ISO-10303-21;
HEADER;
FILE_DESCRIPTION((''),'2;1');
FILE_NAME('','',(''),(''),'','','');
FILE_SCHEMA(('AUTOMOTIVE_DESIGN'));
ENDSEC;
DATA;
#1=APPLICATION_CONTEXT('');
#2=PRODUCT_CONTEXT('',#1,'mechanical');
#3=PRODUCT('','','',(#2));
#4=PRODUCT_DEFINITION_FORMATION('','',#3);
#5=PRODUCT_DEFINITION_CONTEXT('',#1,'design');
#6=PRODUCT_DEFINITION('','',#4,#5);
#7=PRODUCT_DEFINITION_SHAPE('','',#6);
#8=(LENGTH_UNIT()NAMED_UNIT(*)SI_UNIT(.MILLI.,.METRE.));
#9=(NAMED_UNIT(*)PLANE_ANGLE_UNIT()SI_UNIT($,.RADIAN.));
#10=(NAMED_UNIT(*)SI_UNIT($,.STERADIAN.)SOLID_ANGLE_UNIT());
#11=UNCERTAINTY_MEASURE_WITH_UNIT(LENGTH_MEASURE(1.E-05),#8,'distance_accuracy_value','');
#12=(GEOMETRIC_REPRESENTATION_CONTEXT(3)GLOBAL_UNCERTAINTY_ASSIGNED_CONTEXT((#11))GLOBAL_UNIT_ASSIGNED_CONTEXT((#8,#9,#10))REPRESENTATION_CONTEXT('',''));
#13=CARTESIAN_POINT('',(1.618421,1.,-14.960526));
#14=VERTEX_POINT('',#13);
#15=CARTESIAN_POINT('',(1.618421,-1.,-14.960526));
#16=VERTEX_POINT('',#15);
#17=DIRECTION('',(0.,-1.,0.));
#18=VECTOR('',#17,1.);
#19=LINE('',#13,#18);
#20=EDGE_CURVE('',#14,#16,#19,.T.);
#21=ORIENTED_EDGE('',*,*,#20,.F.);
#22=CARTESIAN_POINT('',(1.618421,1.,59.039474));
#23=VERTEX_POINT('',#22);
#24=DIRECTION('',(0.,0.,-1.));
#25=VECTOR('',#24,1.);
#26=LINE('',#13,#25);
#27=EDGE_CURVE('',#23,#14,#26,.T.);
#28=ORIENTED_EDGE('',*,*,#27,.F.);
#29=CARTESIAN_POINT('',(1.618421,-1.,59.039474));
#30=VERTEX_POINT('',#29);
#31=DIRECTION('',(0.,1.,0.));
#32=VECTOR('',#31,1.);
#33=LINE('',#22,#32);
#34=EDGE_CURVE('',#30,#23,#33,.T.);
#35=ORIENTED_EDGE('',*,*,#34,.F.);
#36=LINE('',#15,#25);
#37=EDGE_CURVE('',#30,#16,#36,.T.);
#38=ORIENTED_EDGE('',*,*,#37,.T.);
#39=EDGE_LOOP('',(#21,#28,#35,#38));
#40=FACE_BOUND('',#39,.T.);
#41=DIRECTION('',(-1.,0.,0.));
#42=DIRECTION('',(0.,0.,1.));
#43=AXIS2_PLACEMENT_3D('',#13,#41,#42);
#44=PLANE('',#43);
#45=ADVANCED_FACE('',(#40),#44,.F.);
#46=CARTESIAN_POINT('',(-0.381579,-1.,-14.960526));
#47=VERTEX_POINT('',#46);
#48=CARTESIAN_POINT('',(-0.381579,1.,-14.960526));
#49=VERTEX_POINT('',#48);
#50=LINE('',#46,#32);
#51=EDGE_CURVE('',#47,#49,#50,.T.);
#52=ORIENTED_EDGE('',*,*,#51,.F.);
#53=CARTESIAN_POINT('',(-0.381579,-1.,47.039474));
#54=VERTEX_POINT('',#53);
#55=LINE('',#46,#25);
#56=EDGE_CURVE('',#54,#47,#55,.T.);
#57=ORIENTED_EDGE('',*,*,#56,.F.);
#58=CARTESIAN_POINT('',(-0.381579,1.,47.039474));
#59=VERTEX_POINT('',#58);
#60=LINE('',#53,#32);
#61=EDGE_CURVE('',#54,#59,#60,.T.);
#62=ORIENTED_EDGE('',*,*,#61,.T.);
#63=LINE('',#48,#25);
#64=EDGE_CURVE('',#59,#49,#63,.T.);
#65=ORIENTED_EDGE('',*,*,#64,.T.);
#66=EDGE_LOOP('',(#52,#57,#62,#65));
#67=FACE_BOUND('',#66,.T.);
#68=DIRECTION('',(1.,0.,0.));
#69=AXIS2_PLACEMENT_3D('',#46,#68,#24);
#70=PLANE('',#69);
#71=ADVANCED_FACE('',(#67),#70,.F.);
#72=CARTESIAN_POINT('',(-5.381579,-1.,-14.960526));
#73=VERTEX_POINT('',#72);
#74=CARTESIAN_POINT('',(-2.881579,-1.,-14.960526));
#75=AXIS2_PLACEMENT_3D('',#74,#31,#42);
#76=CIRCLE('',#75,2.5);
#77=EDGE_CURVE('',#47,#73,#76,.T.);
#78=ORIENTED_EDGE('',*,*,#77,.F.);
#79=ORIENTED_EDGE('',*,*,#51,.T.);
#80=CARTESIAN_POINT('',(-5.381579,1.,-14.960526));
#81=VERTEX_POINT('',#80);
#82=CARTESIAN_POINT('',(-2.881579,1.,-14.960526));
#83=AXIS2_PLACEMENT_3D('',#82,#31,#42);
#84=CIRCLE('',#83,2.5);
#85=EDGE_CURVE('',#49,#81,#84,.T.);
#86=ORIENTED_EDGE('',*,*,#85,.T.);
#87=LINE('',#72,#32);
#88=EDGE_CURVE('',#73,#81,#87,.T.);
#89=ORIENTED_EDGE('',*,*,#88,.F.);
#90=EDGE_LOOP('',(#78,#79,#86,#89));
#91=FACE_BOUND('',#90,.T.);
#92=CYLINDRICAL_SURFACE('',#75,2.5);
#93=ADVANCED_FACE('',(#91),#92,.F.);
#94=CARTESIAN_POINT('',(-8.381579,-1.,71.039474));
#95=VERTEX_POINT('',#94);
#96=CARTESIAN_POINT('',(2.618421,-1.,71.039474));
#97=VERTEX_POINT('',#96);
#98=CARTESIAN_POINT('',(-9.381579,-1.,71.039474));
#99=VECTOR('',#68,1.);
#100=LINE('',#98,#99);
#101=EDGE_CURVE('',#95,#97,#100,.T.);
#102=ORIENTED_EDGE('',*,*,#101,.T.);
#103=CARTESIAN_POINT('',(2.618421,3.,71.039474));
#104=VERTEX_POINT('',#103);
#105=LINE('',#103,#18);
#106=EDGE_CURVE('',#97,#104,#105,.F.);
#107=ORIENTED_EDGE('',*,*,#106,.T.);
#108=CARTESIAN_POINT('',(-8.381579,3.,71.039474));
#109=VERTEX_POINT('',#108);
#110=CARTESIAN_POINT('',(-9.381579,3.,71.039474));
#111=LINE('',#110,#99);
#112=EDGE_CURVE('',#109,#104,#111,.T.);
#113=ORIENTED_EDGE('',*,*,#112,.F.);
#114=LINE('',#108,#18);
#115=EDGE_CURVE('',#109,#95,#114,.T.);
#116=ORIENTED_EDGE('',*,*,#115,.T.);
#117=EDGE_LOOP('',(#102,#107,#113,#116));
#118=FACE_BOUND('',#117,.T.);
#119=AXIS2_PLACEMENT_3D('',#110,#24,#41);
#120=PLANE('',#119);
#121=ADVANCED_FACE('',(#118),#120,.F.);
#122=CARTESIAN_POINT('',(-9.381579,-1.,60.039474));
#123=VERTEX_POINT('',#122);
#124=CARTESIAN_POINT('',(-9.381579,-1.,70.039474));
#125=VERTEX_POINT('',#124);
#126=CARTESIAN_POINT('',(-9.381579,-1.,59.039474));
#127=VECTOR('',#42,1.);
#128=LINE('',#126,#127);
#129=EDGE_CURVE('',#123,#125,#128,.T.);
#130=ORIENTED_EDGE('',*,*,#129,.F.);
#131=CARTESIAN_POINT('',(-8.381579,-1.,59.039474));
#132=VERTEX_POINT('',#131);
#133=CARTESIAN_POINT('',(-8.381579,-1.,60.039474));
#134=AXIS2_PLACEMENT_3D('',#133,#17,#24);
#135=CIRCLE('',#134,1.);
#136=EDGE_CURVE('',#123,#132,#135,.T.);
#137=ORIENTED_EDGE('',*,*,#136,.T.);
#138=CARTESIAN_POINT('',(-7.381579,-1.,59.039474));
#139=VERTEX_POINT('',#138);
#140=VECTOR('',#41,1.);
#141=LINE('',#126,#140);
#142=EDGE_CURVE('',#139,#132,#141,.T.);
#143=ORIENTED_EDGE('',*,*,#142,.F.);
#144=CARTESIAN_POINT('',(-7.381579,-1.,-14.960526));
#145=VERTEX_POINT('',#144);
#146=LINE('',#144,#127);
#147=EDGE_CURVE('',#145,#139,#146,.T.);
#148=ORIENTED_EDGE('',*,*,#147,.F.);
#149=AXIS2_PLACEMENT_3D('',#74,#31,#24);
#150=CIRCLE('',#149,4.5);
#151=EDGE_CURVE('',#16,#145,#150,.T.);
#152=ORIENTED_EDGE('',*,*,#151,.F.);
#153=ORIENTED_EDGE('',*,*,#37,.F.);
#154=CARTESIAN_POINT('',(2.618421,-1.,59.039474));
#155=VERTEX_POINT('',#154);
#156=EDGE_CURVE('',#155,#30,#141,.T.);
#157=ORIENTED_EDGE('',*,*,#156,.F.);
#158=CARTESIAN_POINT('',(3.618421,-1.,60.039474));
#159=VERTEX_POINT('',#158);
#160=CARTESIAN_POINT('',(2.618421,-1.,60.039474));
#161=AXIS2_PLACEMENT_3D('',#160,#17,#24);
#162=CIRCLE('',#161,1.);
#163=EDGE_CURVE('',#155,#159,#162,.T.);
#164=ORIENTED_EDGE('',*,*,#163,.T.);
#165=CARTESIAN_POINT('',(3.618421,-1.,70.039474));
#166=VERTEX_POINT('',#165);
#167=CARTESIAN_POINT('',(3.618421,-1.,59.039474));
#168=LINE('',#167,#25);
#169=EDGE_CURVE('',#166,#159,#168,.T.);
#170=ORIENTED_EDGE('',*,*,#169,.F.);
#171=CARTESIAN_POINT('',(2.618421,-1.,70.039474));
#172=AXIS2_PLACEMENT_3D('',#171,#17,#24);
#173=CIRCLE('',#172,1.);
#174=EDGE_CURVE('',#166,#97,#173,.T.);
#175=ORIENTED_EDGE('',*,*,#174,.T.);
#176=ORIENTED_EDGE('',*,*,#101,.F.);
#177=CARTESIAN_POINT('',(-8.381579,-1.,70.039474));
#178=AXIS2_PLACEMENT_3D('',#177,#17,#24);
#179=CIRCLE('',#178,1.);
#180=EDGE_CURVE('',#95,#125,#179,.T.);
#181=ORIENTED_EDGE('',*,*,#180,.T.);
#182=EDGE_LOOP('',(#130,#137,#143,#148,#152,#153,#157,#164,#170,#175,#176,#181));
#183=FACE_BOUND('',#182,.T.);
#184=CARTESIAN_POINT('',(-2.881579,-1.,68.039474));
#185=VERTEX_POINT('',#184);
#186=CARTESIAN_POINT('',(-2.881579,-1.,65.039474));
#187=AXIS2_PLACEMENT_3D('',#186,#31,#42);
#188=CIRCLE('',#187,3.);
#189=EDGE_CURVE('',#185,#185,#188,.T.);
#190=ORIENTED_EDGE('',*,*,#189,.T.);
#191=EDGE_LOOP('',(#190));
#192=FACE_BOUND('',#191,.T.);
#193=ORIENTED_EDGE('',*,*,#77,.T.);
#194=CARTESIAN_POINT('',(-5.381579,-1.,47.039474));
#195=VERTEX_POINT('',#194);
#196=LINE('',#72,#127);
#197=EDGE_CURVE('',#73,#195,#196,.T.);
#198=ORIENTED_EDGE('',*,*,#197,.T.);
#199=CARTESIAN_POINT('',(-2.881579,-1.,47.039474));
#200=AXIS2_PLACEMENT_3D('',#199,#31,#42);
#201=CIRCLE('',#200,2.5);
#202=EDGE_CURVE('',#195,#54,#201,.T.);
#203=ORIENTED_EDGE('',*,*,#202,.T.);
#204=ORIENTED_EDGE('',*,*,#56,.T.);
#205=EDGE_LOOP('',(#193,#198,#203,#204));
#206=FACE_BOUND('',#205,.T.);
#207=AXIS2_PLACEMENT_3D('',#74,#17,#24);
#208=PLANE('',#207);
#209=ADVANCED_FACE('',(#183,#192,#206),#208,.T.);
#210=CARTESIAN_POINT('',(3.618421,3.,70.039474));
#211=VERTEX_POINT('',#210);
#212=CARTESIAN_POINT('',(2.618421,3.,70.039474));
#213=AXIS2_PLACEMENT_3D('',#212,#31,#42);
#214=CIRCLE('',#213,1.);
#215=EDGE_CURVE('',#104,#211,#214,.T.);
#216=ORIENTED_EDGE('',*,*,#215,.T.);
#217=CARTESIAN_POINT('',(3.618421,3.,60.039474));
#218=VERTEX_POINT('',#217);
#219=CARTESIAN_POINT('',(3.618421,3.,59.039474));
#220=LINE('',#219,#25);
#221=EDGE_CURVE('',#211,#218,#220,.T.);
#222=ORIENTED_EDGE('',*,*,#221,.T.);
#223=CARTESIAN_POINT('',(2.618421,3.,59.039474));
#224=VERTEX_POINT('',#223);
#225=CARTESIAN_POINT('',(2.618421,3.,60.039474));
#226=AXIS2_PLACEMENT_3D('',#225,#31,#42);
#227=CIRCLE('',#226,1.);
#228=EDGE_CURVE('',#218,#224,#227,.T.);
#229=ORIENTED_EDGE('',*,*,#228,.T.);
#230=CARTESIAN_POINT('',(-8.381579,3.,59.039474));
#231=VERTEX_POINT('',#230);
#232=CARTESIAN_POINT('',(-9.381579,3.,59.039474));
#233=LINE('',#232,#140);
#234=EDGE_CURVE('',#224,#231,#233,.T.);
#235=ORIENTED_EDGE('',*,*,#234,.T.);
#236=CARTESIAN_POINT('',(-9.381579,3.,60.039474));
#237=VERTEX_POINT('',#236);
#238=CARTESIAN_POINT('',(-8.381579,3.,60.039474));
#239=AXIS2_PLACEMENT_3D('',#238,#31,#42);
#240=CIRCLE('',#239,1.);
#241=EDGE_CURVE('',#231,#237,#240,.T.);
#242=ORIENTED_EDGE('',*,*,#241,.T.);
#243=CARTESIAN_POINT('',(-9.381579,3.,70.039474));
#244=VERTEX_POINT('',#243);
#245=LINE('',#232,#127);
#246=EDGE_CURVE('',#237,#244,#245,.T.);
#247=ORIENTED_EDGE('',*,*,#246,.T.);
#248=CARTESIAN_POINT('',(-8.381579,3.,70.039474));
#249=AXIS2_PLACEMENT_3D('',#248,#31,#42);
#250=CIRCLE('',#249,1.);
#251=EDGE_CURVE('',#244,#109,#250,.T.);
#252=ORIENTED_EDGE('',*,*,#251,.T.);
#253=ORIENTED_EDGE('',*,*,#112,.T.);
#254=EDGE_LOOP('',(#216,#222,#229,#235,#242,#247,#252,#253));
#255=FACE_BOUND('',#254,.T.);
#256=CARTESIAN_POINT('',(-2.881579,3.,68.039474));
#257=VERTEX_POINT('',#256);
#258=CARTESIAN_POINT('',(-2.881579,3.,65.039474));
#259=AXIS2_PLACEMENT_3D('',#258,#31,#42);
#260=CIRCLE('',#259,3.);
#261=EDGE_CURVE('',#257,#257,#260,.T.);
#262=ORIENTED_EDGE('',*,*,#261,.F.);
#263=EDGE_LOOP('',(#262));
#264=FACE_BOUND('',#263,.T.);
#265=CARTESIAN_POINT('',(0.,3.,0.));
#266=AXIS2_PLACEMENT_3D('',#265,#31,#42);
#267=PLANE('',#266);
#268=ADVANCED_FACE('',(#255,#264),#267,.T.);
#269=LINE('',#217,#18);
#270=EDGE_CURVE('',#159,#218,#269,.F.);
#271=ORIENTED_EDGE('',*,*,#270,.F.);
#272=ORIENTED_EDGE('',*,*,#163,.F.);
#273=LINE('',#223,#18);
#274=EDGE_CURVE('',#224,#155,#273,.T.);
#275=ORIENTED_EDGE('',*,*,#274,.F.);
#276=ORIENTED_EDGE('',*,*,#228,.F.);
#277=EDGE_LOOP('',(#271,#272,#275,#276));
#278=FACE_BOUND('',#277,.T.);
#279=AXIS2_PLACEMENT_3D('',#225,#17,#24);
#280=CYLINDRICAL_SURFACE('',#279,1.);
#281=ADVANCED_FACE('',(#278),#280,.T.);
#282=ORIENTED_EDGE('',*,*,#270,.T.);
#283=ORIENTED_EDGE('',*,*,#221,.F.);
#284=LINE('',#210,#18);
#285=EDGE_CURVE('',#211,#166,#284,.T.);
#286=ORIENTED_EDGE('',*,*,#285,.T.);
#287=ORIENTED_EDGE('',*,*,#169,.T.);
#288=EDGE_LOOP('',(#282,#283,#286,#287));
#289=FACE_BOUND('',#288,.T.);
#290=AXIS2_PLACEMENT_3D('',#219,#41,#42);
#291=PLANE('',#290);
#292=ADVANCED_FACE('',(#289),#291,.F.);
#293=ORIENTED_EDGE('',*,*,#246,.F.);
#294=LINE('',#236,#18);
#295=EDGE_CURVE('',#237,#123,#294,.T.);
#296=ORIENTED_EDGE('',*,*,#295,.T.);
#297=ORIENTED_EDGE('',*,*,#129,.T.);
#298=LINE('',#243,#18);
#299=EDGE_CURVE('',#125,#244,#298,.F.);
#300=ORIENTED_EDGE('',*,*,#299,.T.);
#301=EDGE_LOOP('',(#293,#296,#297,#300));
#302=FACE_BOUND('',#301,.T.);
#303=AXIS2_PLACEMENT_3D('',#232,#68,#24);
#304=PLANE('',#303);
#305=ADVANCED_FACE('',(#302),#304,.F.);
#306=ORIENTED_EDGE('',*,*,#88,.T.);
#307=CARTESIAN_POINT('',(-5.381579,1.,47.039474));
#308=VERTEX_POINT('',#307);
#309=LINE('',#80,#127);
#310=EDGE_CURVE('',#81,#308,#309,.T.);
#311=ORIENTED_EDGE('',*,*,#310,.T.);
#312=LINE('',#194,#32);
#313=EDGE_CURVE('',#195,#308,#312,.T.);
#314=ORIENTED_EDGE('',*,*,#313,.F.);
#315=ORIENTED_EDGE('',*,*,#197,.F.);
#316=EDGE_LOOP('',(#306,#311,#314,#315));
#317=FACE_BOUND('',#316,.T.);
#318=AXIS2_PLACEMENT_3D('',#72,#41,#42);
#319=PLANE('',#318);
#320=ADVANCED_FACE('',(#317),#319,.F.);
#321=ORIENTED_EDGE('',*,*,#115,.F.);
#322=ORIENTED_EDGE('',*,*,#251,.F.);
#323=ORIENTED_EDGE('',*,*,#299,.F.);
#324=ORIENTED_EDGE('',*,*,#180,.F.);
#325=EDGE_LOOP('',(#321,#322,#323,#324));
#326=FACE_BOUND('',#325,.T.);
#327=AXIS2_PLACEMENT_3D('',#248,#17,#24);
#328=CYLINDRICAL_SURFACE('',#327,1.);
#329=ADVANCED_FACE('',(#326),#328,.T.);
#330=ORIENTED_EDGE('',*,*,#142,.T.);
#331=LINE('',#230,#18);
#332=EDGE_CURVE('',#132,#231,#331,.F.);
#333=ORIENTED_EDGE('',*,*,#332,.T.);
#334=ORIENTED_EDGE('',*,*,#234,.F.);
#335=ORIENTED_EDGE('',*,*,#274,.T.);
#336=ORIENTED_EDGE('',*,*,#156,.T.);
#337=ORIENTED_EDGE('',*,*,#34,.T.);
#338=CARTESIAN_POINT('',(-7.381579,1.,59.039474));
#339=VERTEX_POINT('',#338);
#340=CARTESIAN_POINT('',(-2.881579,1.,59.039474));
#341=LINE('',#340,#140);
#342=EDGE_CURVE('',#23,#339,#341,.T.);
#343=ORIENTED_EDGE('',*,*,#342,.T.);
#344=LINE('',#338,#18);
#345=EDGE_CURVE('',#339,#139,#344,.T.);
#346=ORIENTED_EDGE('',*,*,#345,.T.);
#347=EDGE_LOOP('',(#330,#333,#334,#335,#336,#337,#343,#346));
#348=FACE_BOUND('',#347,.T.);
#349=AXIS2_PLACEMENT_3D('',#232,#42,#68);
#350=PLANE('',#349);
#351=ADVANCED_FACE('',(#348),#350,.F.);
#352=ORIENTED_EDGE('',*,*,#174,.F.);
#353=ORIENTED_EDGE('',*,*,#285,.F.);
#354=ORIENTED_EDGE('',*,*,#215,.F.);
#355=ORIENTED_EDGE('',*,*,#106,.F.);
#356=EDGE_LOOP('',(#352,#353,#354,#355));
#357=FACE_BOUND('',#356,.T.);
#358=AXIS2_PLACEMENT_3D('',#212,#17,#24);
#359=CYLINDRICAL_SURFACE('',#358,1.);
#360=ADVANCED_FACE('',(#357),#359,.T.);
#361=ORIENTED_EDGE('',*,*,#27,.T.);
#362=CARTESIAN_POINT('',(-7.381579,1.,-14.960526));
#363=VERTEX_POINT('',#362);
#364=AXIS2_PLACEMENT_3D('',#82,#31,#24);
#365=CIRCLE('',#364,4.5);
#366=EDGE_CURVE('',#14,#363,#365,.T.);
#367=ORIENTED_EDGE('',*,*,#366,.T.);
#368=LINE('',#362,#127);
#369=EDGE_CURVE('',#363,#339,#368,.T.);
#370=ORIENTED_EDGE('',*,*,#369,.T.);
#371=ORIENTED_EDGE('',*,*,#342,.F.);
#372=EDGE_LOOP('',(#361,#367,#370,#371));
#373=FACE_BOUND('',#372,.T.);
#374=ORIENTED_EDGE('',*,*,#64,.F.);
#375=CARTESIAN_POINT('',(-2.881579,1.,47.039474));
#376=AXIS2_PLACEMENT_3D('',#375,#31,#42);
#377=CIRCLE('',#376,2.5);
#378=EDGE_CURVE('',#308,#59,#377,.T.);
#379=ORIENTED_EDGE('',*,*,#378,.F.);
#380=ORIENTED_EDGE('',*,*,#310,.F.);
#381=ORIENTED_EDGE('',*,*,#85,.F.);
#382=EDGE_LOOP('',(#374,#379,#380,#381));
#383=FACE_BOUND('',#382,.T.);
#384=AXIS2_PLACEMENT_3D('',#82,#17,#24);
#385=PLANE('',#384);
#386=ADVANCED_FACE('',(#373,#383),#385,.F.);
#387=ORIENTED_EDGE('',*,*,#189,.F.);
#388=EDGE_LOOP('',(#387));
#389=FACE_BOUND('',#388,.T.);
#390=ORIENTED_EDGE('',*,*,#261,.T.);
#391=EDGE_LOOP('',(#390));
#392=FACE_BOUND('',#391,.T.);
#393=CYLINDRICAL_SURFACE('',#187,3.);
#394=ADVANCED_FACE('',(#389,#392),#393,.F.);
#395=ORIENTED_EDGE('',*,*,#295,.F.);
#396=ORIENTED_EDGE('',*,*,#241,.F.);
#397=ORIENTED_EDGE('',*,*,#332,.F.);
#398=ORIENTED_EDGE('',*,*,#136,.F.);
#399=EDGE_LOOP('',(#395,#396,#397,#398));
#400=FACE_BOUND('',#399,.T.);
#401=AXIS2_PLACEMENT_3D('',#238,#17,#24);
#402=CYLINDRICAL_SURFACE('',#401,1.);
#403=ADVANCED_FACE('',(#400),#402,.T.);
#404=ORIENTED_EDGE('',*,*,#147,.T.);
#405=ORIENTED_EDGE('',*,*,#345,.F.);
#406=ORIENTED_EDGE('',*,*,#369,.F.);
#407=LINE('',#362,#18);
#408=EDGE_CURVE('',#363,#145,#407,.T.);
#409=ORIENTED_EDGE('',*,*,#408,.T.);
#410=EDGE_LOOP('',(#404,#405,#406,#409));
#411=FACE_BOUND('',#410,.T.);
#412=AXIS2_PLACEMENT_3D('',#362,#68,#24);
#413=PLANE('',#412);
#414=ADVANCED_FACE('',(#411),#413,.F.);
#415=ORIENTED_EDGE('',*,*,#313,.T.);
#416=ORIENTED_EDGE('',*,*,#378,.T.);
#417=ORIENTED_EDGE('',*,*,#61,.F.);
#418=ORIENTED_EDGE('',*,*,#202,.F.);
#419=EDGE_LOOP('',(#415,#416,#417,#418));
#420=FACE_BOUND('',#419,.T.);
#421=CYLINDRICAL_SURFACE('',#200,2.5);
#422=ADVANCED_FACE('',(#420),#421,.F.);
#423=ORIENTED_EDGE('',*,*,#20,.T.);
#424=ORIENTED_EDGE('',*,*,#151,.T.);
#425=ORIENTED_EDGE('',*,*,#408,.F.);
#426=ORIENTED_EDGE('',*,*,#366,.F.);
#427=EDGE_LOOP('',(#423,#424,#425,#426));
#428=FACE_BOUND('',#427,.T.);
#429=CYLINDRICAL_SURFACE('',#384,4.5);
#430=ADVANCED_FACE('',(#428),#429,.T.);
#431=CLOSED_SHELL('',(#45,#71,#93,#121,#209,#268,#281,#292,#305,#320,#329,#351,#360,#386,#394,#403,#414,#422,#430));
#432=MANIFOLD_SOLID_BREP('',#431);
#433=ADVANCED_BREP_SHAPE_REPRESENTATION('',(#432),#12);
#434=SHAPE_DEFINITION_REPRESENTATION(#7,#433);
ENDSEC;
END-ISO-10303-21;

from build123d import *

# Parameters (mm, degrees)
BOSS_EXTRUDE1_DEPTH = 1
CUT_EXTRUDE1_DEPTH  = 2
SKETCH3_W           = 13
SKETCH3_H           = 12
BOSS_EXTRUDE2_DEPTH = 2
FILLET1_R           = 1
SKETCH4_R           = 3
CUT_EXTRUDE2_DEPTH  = 4


with BuildPart() as part:
    # Sketch1 → Boss-Extrude1 (new, symmetric)
    with BuildSketch(Plane(origin=(0, 0, 0), x_dir=(1, 0, 0), z_dir=(0, 1, 0))):
        with BuildLine():
            Line((-7.381578947, 14.960526316), (-7.381578947, -65.039473684))
            ThreePointArc((-7.381578947, -65.039473684), (-2.881578947, -69.539473684), (1.618421053, -65.039473684))
            Line((1.618421053, -65.039473684), (1.618421053, 14.960526316))
            ThreePointArc((1.618421053, 14.960526316), (-2.881578947, 19.460526316), (-7.381578947, 14.960526316))
        make_face()
    extrude(amount=BOSS_EXTRUDE1_DEPTH, both=True)

    # Sketch2 → Cut-Extrude1 (cut)
    with BuildSketch(Plane(origin=(0, 1, 0), x_dir=(1, 0, 0), z_dir=(0, 1, 0))):
        with BuildLine():
            Line((-5.381578947, 14.960526316), (-5.381578947, -47.039473684))
            ThreePointArc((-5.381578947, -47.039473684), (-2.881578947, -49.539473684), (-0.381578947, -47.039473684))
            Line((-0.381578947, -47.039473684), (-0.381578947, 14.960526316))
            ThreePointArc((-0.381578947, 14.960526316), (-2.881578947, 17.460526316), (-5.381578947, 14.960526316))
        make_face()
    extrude(amount=-CUT_EXTRUDE1_DEPTH, mode=Mode.SUBTRACT)

    # Sketch3 → Boss-Extrude2 (add, symmetric)
    with BuildSketch(Plane(origin=(0, 1, 0), x_dir=(1, 0, 0), z_dir=(0, 1, 0))):
        with Locations((-2.881578947, -65.039473684)):
            Rectangle(SKETCH3_W, SKETCH3_H)
    extrude(amount=BOSS_EXTRUDE2_DEPTH, both=True)

    # Fillet1
    fillet1_edges = [part.edges().sort_by_distance(p)[0] for p in [
        (3.618421053, 1, 59.039473684),
        (-9.381578947, 1, 59.039473684),
        (-9.381578947, 1, 71.039473684),
        (3.618421053, 1, 71.039473684),
    ]]
    fillet(fillet1_edges, radius=FILLET1_R)

    # Sketch4 → Cut-Extrude2 (cut)
    with BuildSketch(Plane(origin=(0, 3, 0), x_dir=(1, 0, 0), z_dir=(0, 1, 0))):
        with Locations(Location((-2.881578947, -65.039473684, 0), (0, 0, 270))):
            Circle(SKETCH4_R)
    extrude(amount=-CUT_EXTRUDE2_DEPTH, mode=Mode.SUBTRACT)


solid = part.part
